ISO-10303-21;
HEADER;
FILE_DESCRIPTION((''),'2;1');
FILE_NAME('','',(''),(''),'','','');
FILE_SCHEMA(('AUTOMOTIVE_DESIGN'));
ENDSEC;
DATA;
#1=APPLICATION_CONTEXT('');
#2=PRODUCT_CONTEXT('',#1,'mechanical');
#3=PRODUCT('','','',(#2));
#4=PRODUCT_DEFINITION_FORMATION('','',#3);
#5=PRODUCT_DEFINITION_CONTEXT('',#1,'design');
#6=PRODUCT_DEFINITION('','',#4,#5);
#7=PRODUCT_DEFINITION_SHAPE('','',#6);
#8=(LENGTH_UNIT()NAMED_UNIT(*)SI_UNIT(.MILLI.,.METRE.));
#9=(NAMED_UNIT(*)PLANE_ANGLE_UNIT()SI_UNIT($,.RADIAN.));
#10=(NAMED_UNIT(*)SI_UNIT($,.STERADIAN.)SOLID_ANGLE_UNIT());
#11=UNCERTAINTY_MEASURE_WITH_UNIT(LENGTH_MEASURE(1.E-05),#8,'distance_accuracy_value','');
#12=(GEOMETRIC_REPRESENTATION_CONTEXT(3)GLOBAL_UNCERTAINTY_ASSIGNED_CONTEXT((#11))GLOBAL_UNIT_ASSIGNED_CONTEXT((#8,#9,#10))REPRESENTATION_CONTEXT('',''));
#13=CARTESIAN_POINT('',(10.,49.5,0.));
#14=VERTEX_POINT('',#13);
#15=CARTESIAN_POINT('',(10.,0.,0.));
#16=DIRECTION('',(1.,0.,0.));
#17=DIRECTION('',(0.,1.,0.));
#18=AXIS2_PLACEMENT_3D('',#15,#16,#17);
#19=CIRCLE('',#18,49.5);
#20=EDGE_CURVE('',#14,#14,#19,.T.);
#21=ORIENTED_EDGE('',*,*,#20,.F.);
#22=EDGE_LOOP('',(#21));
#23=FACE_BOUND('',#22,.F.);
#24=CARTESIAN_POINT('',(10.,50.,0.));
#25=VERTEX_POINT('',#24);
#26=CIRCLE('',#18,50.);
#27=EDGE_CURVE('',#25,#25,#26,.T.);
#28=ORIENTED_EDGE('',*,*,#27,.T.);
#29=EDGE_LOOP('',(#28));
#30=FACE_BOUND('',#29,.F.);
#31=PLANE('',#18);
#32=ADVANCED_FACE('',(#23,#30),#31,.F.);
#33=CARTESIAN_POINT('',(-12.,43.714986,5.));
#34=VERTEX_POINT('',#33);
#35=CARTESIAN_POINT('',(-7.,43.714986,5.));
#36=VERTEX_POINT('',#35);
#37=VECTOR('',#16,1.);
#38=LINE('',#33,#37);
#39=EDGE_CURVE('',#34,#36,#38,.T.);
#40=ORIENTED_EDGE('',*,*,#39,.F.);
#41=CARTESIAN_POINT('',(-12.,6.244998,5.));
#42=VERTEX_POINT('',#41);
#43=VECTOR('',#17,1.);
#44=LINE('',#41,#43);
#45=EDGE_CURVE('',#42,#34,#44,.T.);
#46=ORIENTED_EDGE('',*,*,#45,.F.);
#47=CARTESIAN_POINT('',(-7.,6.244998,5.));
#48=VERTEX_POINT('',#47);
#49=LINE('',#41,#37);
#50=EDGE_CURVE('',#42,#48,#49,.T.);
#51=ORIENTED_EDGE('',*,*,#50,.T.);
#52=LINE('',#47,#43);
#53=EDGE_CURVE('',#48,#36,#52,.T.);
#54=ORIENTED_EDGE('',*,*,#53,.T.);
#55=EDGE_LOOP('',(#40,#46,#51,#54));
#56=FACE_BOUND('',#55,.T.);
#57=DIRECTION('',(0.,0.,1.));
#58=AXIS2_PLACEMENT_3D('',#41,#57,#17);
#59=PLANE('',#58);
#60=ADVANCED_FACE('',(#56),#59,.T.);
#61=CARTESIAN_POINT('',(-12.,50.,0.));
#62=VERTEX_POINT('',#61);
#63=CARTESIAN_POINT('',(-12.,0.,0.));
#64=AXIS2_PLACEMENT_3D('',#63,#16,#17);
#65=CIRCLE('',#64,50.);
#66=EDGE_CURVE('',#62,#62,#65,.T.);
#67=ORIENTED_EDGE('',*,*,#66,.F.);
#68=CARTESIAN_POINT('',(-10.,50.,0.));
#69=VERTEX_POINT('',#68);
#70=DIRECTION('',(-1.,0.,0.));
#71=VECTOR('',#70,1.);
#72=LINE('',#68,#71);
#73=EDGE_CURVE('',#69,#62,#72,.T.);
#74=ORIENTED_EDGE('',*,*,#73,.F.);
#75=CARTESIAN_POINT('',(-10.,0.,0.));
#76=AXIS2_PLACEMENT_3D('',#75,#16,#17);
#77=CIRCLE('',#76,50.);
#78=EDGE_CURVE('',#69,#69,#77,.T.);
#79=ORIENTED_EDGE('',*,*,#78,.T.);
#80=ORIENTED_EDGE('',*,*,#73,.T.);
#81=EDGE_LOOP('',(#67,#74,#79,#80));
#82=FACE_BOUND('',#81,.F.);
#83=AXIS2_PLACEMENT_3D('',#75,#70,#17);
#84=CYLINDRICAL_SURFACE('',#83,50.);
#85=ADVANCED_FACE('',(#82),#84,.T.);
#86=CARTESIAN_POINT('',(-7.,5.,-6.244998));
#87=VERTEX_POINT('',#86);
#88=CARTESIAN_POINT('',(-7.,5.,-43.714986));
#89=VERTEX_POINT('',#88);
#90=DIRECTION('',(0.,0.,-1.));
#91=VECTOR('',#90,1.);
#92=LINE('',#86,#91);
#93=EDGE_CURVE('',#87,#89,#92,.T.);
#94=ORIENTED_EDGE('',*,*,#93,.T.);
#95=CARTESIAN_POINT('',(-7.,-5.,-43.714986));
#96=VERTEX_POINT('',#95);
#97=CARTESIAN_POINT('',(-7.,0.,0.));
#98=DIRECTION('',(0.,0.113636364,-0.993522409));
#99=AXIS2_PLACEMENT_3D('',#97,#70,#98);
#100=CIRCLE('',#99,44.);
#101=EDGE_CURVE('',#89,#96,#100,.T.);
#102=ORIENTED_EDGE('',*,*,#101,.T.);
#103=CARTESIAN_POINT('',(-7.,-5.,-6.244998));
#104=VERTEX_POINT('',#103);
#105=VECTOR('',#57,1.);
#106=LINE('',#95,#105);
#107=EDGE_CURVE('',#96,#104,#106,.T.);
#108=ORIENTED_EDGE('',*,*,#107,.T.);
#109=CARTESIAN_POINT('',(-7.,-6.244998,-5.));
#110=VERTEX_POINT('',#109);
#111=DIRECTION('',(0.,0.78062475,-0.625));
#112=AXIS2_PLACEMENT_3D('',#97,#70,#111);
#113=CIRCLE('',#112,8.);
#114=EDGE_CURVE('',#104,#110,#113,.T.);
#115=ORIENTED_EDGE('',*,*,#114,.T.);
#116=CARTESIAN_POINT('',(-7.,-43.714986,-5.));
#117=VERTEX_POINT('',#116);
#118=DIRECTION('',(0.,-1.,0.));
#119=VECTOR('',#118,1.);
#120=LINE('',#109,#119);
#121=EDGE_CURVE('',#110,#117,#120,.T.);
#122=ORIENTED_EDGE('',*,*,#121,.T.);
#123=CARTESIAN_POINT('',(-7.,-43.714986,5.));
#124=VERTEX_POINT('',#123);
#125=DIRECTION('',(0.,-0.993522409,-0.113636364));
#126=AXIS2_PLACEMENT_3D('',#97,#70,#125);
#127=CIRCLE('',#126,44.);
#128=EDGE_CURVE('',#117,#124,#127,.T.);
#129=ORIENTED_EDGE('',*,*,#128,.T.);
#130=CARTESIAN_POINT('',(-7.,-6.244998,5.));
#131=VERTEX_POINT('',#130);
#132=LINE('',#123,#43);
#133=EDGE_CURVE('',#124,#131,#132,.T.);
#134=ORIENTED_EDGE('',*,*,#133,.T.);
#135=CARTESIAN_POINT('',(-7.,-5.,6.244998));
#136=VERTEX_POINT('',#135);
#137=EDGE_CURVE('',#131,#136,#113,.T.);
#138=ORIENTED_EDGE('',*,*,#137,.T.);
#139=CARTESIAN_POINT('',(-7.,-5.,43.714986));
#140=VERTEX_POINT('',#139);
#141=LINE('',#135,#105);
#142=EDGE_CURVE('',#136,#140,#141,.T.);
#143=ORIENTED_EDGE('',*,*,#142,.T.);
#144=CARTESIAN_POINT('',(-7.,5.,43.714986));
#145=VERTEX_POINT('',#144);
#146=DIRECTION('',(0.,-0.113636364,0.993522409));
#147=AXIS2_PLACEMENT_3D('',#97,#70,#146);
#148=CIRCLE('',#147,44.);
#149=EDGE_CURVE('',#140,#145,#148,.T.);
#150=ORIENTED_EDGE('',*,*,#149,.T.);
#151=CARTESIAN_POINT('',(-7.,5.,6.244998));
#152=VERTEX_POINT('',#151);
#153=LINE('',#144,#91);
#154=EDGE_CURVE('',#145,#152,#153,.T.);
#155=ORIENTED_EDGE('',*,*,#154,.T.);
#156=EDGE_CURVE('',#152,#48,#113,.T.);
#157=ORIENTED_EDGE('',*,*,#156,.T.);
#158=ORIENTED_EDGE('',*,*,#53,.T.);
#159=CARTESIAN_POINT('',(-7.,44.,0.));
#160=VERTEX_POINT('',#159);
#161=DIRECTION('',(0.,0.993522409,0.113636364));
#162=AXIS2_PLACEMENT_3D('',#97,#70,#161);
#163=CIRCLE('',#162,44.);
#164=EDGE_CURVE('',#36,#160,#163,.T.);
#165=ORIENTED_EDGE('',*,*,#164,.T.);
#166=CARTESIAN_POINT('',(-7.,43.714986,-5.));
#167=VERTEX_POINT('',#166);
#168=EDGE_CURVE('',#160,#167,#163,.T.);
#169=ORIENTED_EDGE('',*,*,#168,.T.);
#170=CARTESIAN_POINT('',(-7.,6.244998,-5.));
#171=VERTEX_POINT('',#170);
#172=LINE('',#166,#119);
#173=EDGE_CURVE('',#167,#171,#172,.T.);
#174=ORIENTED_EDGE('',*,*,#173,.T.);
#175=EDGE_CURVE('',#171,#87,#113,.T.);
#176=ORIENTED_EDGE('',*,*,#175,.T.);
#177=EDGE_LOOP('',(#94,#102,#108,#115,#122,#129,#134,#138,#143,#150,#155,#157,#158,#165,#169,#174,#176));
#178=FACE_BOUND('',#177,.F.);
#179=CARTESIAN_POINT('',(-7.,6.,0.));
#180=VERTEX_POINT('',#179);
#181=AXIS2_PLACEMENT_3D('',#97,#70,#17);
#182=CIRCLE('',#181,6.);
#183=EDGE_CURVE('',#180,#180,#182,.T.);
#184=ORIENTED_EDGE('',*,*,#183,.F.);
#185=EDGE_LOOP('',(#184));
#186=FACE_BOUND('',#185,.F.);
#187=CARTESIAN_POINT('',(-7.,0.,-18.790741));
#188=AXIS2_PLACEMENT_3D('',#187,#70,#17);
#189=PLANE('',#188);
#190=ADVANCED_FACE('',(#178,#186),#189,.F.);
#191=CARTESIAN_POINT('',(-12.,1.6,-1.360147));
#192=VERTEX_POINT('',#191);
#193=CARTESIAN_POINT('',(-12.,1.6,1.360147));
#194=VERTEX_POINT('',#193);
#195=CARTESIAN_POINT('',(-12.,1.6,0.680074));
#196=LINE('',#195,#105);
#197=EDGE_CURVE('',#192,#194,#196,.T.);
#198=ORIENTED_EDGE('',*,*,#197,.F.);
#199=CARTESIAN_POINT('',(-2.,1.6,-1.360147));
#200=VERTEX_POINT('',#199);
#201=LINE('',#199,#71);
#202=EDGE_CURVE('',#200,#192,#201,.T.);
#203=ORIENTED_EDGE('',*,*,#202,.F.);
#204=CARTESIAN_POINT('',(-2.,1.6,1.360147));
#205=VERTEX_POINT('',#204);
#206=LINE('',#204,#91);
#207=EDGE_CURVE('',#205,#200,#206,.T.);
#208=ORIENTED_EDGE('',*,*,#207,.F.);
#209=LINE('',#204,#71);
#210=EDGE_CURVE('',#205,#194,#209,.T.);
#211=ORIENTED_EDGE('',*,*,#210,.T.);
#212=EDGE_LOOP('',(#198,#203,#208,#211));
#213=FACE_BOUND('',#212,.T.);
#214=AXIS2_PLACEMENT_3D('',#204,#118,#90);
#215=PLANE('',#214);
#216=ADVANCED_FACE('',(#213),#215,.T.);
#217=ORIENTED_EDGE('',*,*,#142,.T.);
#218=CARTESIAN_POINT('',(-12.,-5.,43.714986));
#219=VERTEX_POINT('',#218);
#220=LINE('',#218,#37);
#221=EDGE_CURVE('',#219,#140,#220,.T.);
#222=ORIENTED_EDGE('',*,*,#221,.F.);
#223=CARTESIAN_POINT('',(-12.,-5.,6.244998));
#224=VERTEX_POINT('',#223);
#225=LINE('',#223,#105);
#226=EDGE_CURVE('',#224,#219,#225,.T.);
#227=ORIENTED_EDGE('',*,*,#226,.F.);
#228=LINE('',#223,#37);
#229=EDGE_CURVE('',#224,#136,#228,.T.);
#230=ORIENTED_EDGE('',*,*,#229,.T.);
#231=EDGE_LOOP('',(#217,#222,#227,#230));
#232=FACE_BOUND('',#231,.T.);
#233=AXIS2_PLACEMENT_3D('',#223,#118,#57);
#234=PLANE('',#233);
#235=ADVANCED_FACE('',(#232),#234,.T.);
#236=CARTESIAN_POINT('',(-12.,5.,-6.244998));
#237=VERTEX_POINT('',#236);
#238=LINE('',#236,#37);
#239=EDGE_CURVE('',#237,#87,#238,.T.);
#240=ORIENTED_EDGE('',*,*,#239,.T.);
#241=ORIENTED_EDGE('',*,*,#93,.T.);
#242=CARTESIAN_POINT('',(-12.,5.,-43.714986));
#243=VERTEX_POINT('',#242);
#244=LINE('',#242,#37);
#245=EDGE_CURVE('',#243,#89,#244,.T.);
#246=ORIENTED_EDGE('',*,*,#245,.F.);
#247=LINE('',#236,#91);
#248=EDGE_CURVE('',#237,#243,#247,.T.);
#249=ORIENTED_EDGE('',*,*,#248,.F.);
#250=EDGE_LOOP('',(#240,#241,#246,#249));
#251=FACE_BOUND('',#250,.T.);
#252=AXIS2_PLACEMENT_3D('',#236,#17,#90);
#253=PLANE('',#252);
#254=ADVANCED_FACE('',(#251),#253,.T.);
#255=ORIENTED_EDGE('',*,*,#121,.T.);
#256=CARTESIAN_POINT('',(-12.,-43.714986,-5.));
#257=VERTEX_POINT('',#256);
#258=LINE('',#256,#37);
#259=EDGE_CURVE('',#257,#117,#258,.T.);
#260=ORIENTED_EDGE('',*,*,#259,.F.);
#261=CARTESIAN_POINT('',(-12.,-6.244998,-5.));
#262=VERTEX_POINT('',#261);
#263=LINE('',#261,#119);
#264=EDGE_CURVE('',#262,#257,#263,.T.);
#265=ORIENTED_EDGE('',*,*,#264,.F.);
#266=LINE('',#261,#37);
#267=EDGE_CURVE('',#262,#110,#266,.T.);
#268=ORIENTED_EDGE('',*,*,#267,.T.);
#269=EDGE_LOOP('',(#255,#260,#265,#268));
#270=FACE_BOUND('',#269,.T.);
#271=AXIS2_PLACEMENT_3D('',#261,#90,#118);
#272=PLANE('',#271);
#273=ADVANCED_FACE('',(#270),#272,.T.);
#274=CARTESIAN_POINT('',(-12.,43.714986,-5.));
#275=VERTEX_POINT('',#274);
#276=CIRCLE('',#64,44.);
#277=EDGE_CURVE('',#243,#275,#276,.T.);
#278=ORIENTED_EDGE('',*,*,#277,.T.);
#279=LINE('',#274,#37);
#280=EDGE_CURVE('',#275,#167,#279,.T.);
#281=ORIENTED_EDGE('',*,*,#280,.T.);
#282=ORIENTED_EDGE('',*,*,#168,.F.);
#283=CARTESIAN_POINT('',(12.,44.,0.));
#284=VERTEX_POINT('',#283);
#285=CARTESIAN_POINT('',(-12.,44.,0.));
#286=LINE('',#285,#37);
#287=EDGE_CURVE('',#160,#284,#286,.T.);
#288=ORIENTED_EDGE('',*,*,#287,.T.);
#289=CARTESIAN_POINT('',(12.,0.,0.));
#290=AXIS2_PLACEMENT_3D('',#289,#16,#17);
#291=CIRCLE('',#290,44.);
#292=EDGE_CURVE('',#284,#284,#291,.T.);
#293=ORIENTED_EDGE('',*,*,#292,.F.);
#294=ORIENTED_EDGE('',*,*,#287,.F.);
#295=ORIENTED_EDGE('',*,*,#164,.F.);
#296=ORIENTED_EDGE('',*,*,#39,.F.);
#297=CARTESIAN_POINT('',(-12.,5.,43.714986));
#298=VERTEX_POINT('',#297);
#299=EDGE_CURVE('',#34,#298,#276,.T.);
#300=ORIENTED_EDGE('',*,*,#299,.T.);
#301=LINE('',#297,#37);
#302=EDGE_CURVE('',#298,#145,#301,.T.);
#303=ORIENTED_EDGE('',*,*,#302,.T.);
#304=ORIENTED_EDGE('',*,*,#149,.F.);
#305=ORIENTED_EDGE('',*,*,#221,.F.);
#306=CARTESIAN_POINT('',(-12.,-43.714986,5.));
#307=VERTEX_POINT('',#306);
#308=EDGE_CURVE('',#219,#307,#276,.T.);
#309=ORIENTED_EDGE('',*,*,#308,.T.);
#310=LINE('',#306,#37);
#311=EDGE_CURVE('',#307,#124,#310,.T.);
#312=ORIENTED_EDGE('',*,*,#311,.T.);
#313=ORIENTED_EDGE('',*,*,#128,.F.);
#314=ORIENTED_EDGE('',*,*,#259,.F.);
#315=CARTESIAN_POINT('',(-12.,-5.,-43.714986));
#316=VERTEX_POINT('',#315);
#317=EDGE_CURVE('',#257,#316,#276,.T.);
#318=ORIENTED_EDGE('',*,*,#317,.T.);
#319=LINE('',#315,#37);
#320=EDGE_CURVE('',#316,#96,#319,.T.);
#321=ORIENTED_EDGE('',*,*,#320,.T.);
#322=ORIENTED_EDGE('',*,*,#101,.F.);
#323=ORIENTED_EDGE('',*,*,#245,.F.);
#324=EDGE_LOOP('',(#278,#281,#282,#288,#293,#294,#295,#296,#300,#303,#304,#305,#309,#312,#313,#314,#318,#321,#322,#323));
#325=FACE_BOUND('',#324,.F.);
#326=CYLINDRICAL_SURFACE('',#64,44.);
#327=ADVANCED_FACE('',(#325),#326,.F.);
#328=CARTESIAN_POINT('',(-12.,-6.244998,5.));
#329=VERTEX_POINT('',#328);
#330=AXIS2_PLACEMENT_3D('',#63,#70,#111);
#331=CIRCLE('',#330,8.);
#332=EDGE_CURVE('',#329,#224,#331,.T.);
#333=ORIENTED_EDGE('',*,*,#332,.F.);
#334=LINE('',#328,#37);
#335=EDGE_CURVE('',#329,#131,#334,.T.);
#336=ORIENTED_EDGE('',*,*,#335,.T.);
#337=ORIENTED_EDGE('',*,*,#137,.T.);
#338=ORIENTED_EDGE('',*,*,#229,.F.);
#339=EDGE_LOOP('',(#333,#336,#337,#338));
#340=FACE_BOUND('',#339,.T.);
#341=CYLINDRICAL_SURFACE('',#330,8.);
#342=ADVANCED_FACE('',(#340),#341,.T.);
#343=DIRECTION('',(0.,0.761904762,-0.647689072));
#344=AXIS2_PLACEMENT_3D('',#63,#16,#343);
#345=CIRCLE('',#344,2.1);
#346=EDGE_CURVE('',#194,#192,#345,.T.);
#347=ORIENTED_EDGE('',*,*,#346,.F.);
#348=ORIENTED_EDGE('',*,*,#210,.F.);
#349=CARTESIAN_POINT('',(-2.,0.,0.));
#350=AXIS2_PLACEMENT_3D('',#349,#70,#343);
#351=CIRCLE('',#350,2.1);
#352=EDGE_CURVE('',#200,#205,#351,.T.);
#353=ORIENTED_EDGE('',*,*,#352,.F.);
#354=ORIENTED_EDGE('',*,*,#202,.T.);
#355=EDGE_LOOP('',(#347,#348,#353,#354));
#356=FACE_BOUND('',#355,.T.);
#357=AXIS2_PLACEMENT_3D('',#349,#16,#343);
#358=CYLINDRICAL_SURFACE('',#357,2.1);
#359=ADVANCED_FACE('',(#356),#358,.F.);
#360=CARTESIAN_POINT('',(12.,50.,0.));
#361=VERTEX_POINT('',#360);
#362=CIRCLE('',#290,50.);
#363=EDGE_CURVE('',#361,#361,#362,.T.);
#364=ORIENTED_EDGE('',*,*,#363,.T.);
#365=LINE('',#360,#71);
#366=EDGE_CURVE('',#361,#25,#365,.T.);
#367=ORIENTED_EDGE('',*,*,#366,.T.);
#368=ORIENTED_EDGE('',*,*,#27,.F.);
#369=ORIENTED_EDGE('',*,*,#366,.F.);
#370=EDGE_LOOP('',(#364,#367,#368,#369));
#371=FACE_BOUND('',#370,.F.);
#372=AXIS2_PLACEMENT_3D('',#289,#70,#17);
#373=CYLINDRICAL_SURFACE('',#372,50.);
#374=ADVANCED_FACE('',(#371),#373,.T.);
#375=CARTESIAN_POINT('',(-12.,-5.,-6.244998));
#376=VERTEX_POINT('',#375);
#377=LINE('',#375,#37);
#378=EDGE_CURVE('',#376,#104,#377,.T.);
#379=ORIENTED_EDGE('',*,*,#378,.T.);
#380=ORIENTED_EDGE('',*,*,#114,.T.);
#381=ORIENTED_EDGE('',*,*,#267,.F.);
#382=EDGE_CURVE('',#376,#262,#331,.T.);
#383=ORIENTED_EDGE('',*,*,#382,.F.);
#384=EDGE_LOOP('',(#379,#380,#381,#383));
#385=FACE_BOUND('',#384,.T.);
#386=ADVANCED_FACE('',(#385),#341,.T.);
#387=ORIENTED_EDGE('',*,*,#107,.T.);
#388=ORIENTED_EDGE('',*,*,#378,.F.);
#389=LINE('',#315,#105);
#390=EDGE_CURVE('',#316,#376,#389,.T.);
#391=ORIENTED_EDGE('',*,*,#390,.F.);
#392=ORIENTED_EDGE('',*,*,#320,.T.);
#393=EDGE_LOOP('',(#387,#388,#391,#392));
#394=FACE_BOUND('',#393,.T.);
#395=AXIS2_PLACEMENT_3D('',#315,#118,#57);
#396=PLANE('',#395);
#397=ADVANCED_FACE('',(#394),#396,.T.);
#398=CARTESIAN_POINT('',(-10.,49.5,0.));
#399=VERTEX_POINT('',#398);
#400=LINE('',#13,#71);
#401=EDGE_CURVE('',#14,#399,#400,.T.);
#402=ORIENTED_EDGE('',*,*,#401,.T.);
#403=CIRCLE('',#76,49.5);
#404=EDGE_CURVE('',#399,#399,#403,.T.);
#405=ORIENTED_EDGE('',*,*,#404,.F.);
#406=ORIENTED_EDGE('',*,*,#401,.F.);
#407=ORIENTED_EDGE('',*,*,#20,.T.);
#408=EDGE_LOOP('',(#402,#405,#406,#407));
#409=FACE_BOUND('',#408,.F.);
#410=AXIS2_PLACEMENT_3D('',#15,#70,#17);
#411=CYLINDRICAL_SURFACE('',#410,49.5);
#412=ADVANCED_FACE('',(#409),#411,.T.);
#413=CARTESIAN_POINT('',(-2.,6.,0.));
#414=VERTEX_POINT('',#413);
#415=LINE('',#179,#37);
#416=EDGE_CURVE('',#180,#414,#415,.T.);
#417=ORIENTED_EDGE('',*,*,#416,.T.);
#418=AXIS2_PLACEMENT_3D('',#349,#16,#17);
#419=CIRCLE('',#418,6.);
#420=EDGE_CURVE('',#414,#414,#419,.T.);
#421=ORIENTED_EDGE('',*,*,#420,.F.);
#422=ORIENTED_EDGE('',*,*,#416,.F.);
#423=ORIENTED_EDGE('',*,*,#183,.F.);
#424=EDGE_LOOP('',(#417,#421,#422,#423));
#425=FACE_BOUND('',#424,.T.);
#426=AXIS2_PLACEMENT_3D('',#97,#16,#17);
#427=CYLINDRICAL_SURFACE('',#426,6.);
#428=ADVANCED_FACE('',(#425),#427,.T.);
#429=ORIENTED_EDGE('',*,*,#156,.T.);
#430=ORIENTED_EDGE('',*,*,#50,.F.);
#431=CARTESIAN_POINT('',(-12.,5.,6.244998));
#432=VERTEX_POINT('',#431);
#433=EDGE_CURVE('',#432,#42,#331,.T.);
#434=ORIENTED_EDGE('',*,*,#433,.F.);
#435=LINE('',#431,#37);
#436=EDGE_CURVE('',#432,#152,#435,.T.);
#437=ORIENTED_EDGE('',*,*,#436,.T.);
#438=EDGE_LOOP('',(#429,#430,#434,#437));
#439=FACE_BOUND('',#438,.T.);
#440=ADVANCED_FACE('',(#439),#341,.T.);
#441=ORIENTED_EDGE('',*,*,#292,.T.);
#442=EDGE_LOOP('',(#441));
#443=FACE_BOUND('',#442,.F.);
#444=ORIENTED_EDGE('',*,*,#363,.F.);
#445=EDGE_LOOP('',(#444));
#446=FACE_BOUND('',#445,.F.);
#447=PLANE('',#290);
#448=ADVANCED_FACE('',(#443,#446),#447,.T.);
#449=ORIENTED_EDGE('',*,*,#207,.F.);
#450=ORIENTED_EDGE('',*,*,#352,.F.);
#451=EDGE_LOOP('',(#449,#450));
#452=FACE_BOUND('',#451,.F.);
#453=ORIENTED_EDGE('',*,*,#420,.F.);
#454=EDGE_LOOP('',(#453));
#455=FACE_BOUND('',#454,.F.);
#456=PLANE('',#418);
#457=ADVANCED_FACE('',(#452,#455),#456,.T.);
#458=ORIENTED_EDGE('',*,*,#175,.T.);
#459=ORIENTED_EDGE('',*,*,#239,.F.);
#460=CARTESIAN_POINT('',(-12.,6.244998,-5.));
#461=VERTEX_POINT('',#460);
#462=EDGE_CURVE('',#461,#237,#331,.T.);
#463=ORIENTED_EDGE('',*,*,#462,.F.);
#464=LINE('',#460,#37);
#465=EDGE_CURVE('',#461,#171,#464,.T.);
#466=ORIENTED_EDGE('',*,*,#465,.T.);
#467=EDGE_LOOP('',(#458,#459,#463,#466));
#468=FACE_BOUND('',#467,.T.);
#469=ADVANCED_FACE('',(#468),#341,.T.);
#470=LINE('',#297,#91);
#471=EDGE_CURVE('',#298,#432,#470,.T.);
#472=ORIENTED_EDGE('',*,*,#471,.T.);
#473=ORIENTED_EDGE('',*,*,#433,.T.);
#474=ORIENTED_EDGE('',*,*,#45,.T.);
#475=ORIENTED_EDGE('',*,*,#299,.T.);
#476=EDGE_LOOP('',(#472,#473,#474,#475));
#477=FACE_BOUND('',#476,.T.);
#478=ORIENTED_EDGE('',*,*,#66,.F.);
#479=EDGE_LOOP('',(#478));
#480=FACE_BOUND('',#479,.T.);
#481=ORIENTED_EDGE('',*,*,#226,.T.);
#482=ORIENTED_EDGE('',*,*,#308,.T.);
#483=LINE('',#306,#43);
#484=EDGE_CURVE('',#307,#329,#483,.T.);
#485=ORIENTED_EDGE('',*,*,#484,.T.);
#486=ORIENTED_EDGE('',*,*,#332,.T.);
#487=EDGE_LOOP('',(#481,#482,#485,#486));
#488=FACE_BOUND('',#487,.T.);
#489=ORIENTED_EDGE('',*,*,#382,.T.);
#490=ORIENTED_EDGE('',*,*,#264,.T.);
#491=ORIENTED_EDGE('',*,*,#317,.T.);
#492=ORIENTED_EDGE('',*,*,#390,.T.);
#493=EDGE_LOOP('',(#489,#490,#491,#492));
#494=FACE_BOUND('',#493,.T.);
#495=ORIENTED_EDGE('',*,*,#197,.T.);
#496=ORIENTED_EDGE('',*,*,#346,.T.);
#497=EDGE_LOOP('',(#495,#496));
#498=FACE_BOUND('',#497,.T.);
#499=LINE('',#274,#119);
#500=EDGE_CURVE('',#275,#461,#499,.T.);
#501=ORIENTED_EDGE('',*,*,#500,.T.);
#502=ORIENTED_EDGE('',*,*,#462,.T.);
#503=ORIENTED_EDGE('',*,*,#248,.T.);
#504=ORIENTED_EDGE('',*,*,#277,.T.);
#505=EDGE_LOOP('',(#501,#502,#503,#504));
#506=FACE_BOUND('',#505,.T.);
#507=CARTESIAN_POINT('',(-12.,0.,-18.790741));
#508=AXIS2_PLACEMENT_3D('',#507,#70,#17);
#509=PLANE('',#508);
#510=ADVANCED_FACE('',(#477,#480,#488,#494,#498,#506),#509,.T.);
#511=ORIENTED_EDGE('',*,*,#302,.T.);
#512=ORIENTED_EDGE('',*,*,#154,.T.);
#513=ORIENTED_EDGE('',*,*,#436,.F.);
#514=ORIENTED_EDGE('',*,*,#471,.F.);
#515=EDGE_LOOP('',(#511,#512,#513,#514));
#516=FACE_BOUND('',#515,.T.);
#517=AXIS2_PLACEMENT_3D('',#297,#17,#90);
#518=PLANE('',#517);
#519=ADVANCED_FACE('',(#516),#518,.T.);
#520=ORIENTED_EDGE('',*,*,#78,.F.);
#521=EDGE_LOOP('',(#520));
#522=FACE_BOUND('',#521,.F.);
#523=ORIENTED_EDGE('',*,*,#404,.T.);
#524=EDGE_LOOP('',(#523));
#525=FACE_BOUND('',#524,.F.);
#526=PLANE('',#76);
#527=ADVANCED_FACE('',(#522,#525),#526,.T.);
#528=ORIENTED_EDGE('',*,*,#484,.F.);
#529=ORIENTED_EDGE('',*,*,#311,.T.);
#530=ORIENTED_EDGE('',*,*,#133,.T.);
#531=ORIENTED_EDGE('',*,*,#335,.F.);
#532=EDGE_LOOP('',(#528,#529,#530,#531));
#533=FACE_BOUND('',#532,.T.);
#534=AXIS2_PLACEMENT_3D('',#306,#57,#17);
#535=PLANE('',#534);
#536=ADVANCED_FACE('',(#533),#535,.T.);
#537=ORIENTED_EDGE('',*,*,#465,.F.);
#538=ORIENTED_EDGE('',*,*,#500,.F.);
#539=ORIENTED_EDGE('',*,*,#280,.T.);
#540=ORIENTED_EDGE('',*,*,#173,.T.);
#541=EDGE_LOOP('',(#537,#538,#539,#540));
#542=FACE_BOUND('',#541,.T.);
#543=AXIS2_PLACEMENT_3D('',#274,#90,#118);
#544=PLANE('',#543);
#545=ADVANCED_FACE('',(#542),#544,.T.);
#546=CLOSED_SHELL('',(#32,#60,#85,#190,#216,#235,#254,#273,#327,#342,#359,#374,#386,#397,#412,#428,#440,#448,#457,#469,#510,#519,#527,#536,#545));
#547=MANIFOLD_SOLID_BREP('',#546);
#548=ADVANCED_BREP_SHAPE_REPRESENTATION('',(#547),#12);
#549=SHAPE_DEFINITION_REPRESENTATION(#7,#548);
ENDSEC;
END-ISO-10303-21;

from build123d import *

# Parameters (mm, degrees)
SKETCH1_W               = 10
SKETCH1_H               = 6
SKETCH2_R               = 6
BOSS_EXTRUDE1_DEPTH     = 5
CUT_EXTRUDE1_DEPTH      = 15
CUT_EXTRUDE1_DEPTH_BACK = 11
CIRPATTERN1_COUNT       = 4


with BuildPart() as part:
    # Sketch1 → Revolve1 (revolve)
    with BuildSketch(Plane.XY):
        Polygon((-12, 50), (-12, 44), (12, 44), (12, 50), (10, 50), (10, 49.5), (-10, 49.5), (-10, 50), align=None)
        with Locations((-7, 3)):
            Rectangle(SKETCH1_W, SKETCH1_H)
    revolve(axis=Axis((0, 0, 0), (1, 0, 0)))

    # Sketch2 → Boss-Extrude1 (add)
    with BuildSketch(Plane(origin=(-12, 0, 0), x_dir=(0, 0, -1), z_dir=(1, 0, 0))):
        with BuildLine():
            Line((-5, 6.244997998), (-5, 43.714985989))
            ThreePointArc((-5, 43.714985989), (0, 44), (5, 43.714985989))
            Line((5, 43.714985989), (5, 6.244997998))
            ThreePointArc((5, 6.244997998), (0, -8), (-5, 6.244997998))
        make_face()
        Circle(SKETCH2_R, mode=Mode.SUBTRACT)
    boss_extrude1 = extrude(amount=BOSS_EXTRUDE1_DEPTH)

    # Sketch3 → Cut-Extrude1 (cut, two sides)
    with BuildSketch(Plane(origin=(-2, 0, 0), x_dir=(0, 0, -1), z_dir=(1, 0, 0))) as cut_extrude1_sk:
        with BuildLine():
            Line((-1.360147051, 1.6), (1.360147051, 1.6))
            ThreePointArc((1.360147051, 1.6), (0, -2.1), (-1.360147051, 1.6))
        make_face()
    extrude(amount=CUT_EXTRUDE1_DEPTH, mode=Mode.SUBTRACT)
    extrude(cut_extrude1_sk.sketch, amount=-CUT_EXTRUDE1_DEPTH_BACK, mode=Mode.SUBTRACT)

    # CirPattern1: Boss-Extrude1 ×4 about axis
    cirpattern1_axis = Axis((0, 0, 0), (1, 0, 0))
    for i in range(1, CIRPATTERN1_COUNT):
        add(boss_extrude1.rotate(cirpattern1_axis, i * 360 / CIRPATTERN1_COUNT))


solid = part.part
